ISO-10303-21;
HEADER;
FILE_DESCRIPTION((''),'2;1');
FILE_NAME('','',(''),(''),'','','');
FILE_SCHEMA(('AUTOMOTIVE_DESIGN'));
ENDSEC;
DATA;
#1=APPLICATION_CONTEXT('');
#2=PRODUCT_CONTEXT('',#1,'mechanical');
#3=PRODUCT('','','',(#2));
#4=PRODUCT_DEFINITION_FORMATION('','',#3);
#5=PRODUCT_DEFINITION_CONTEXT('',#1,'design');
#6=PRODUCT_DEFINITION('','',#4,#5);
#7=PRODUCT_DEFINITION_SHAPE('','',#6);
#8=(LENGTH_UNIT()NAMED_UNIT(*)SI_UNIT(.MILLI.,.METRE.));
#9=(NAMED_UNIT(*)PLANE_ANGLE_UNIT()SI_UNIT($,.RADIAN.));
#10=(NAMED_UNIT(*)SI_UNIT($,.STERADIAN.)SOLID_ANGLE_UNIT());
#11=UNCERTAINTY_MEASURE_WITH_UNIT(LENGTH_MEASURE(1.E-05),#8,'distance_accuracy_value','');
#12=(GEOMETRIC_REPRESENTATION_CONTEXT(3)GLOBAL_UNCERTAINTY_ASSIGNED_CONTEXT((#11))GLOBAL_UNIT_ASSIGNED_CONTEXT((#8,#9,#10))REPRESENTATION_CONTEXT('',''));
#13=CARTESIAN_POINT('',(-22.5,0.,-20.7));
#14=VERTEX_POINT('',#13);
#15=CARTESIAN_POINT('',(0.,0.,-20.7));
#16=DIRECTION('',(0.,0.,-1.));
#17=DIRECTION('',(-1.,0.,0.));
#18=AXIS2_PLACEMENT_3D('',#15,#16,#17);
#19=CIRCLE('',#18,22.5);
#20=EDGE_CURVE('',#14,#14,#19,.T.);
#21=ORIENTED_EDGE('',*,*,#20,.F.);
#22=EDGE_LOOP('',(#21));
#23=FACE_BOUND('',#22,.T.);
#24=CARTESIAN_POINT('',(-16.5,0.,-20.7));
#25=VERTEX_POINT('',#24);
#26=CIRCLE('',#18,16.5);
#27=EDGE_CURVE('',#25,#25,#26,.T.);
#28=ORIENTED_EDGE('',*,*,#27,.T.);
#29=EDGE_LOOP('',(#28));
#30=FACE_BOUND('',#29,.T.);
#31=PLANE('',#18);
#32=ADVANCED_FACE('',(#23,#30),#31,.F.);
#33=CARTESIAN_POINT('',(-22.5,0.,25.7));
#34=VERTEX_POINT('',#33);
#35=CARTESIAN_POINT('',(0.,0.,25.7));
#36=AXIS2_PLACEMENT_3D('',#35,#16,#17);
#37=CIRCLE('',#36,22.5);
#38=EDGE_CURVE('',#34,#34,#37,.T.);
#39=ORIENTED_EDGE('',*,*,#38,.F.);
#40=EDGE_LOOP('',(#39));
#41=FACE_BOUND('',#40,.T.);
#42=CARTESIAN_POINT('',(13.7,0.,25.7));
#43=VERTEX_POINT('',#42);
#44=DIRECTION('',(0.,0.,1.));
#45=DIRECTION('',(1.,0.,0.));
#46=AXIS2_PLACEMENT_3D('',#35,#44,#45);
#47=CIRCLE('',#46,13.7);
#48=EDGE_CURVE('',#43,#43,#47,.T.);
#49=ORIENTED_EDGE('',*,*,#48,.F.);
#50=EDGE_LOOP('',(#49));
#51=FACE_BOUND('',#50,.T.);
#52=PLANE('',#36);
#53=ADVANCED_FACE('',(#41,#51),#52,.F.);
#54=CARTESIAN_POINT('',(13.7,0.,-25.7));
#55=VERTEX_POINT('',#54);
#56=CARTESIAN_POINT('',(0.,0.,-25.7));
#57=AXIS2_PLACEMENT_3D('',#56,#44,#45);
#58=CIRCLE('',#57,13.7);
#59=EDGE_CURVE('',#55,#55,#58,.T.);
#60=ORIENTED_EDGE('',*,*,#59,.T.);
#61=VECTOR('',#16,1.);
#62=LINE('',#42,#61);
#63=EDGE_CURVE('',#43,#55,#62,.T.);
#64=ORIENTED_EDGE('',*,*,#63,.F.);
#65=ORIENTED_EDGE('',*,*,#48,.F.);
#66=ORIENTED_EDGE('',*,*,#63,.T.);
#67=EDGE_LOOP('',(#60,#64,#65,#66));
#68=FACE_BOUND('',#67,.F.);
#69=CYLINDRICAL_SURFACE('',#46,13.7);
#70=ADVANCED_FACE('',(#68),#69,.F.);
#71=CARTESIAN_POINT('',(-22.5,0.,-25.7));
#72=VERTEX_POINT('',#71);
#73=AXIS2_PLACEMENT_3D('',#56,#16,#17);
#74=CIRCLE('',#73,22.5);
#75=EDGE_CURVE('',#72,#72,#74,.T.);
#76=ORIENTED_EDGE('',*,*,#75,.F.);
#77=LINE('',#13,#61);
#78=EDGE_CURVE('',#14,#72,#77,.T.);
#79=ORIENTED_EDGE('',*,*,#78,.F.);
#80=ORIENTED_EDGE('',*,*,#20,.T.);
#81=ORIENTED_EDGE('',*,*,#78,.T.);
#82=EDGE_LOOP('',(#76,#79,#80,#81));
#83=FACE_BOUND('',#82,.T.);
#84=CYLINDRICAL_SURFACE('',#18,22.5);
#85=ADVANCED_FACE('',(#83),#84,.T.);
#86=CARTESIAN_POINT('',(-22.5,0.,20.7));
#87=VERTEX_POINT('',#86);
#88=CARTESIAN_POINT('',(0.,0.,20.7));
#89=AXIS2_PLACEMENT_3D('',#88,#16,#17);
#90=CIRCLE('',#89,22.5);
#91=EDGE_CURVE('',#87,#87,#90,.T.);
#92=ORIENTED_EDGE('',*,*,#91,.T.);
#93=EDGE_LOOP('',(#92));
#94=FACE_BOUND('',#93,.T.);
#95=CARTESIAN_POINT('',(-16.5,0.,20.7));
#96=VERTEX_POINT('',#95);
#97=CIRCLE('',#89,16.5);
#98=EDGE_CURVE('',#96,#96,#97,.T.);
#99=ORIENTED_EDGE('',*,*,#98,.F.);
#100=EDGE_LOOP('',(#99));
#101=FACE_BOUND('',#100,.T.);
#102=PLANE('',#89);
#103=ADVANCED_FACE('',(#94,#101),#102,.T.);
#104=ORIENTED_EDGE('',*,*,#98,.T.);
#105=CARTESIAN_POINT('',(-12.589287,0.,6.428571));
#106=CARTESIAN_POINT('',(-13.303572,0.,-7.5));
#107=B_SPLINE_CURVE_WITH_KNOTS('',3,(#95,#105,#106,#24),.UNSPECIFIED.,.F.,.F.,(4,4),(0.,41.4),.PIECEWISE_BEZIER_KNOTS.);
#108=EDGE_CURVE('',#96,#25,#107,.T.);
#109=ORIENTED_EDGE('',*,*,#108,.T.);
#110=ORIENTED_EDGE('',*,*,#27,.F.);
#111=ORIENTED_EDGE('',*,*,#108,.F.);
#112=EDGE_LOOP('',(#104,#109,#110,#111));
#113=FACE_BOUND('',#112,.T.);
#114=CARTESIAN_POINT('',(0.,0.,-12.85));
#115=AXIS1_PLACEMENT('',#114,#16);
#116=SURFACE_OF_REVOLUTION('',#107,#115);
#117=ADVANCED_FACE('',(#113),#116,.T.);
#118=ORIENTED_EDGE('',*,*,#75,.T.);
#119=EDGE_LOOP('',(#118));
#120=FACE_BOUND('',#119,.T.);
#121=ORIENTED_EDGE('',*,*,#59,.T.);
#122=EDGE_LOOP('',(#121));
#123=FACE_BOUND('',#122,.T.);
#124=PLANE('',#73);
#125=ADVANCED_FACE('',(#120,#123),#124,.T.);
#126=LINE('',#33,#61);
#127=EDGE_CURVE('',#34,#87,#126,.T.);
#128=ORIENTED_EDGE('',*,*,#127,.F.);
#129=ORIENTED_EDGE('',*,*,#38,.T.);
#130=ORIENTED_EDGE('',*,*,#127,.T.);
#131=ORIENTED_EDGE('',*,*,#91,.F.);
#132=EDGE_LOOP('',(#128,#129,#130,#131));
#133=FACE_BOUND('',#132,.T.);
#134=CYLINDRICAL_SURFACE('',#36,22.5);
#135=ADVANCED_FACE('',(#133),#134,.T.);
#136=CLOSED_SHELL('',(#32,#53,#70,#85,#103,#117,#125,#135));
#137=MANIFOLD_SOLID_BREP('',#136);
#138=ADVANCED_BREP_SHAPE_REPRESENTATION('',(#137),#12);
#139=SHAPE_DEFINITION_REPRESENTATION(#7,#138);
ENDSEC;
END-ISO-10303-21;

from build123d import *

# Parameters (mm, degrees)
F2_R     = 13.7
F3_DEPTH = 51.4


with BuildPart() as f1:
    # F0 (on Front) → F1 (revolve)
    with BuildSketch(Plane.XZ):
        with BuildLine():
            Line((0, -25.7), (0, 0))
            Line((0, 0), (0, 25.7))
            Line((0, 25.7), (-22.5, 25.7))
            Line((-22.5, 25.7), (-22.5, 20.7))
            Line((-22.5, 20.7), (-16.5, 20.7))
            add(Edge.make_bspline(
                [(-16.5, 20.7), (-12.589287, 6.428571), (-13.303572, -7.5), (-16.5, -20.7)],
                knots=[0, 0, 0, 0, 41.4, 41.4, 41.4, 41.4], degree=3))
            Line((-16.5, -20.7), (-22.5, -20.7))
            Line((-22.5, -20.7), (-22.5, -25.7))
            Line((-22.5, -25.7), (0, -25.7))
        make_face()
    revolve(axis=Axis((0, 0, -12.85), (0, 0, -1)))

    # F2 (on face) → F3 (cut, through all)
    with BuildSketch(Plane.XY.offset(25.7)):
        Circle(F2_R)
    extrude(amount=-F3_DEPTH, mode=Mode.SUBTRACT)


solid = f1.part
